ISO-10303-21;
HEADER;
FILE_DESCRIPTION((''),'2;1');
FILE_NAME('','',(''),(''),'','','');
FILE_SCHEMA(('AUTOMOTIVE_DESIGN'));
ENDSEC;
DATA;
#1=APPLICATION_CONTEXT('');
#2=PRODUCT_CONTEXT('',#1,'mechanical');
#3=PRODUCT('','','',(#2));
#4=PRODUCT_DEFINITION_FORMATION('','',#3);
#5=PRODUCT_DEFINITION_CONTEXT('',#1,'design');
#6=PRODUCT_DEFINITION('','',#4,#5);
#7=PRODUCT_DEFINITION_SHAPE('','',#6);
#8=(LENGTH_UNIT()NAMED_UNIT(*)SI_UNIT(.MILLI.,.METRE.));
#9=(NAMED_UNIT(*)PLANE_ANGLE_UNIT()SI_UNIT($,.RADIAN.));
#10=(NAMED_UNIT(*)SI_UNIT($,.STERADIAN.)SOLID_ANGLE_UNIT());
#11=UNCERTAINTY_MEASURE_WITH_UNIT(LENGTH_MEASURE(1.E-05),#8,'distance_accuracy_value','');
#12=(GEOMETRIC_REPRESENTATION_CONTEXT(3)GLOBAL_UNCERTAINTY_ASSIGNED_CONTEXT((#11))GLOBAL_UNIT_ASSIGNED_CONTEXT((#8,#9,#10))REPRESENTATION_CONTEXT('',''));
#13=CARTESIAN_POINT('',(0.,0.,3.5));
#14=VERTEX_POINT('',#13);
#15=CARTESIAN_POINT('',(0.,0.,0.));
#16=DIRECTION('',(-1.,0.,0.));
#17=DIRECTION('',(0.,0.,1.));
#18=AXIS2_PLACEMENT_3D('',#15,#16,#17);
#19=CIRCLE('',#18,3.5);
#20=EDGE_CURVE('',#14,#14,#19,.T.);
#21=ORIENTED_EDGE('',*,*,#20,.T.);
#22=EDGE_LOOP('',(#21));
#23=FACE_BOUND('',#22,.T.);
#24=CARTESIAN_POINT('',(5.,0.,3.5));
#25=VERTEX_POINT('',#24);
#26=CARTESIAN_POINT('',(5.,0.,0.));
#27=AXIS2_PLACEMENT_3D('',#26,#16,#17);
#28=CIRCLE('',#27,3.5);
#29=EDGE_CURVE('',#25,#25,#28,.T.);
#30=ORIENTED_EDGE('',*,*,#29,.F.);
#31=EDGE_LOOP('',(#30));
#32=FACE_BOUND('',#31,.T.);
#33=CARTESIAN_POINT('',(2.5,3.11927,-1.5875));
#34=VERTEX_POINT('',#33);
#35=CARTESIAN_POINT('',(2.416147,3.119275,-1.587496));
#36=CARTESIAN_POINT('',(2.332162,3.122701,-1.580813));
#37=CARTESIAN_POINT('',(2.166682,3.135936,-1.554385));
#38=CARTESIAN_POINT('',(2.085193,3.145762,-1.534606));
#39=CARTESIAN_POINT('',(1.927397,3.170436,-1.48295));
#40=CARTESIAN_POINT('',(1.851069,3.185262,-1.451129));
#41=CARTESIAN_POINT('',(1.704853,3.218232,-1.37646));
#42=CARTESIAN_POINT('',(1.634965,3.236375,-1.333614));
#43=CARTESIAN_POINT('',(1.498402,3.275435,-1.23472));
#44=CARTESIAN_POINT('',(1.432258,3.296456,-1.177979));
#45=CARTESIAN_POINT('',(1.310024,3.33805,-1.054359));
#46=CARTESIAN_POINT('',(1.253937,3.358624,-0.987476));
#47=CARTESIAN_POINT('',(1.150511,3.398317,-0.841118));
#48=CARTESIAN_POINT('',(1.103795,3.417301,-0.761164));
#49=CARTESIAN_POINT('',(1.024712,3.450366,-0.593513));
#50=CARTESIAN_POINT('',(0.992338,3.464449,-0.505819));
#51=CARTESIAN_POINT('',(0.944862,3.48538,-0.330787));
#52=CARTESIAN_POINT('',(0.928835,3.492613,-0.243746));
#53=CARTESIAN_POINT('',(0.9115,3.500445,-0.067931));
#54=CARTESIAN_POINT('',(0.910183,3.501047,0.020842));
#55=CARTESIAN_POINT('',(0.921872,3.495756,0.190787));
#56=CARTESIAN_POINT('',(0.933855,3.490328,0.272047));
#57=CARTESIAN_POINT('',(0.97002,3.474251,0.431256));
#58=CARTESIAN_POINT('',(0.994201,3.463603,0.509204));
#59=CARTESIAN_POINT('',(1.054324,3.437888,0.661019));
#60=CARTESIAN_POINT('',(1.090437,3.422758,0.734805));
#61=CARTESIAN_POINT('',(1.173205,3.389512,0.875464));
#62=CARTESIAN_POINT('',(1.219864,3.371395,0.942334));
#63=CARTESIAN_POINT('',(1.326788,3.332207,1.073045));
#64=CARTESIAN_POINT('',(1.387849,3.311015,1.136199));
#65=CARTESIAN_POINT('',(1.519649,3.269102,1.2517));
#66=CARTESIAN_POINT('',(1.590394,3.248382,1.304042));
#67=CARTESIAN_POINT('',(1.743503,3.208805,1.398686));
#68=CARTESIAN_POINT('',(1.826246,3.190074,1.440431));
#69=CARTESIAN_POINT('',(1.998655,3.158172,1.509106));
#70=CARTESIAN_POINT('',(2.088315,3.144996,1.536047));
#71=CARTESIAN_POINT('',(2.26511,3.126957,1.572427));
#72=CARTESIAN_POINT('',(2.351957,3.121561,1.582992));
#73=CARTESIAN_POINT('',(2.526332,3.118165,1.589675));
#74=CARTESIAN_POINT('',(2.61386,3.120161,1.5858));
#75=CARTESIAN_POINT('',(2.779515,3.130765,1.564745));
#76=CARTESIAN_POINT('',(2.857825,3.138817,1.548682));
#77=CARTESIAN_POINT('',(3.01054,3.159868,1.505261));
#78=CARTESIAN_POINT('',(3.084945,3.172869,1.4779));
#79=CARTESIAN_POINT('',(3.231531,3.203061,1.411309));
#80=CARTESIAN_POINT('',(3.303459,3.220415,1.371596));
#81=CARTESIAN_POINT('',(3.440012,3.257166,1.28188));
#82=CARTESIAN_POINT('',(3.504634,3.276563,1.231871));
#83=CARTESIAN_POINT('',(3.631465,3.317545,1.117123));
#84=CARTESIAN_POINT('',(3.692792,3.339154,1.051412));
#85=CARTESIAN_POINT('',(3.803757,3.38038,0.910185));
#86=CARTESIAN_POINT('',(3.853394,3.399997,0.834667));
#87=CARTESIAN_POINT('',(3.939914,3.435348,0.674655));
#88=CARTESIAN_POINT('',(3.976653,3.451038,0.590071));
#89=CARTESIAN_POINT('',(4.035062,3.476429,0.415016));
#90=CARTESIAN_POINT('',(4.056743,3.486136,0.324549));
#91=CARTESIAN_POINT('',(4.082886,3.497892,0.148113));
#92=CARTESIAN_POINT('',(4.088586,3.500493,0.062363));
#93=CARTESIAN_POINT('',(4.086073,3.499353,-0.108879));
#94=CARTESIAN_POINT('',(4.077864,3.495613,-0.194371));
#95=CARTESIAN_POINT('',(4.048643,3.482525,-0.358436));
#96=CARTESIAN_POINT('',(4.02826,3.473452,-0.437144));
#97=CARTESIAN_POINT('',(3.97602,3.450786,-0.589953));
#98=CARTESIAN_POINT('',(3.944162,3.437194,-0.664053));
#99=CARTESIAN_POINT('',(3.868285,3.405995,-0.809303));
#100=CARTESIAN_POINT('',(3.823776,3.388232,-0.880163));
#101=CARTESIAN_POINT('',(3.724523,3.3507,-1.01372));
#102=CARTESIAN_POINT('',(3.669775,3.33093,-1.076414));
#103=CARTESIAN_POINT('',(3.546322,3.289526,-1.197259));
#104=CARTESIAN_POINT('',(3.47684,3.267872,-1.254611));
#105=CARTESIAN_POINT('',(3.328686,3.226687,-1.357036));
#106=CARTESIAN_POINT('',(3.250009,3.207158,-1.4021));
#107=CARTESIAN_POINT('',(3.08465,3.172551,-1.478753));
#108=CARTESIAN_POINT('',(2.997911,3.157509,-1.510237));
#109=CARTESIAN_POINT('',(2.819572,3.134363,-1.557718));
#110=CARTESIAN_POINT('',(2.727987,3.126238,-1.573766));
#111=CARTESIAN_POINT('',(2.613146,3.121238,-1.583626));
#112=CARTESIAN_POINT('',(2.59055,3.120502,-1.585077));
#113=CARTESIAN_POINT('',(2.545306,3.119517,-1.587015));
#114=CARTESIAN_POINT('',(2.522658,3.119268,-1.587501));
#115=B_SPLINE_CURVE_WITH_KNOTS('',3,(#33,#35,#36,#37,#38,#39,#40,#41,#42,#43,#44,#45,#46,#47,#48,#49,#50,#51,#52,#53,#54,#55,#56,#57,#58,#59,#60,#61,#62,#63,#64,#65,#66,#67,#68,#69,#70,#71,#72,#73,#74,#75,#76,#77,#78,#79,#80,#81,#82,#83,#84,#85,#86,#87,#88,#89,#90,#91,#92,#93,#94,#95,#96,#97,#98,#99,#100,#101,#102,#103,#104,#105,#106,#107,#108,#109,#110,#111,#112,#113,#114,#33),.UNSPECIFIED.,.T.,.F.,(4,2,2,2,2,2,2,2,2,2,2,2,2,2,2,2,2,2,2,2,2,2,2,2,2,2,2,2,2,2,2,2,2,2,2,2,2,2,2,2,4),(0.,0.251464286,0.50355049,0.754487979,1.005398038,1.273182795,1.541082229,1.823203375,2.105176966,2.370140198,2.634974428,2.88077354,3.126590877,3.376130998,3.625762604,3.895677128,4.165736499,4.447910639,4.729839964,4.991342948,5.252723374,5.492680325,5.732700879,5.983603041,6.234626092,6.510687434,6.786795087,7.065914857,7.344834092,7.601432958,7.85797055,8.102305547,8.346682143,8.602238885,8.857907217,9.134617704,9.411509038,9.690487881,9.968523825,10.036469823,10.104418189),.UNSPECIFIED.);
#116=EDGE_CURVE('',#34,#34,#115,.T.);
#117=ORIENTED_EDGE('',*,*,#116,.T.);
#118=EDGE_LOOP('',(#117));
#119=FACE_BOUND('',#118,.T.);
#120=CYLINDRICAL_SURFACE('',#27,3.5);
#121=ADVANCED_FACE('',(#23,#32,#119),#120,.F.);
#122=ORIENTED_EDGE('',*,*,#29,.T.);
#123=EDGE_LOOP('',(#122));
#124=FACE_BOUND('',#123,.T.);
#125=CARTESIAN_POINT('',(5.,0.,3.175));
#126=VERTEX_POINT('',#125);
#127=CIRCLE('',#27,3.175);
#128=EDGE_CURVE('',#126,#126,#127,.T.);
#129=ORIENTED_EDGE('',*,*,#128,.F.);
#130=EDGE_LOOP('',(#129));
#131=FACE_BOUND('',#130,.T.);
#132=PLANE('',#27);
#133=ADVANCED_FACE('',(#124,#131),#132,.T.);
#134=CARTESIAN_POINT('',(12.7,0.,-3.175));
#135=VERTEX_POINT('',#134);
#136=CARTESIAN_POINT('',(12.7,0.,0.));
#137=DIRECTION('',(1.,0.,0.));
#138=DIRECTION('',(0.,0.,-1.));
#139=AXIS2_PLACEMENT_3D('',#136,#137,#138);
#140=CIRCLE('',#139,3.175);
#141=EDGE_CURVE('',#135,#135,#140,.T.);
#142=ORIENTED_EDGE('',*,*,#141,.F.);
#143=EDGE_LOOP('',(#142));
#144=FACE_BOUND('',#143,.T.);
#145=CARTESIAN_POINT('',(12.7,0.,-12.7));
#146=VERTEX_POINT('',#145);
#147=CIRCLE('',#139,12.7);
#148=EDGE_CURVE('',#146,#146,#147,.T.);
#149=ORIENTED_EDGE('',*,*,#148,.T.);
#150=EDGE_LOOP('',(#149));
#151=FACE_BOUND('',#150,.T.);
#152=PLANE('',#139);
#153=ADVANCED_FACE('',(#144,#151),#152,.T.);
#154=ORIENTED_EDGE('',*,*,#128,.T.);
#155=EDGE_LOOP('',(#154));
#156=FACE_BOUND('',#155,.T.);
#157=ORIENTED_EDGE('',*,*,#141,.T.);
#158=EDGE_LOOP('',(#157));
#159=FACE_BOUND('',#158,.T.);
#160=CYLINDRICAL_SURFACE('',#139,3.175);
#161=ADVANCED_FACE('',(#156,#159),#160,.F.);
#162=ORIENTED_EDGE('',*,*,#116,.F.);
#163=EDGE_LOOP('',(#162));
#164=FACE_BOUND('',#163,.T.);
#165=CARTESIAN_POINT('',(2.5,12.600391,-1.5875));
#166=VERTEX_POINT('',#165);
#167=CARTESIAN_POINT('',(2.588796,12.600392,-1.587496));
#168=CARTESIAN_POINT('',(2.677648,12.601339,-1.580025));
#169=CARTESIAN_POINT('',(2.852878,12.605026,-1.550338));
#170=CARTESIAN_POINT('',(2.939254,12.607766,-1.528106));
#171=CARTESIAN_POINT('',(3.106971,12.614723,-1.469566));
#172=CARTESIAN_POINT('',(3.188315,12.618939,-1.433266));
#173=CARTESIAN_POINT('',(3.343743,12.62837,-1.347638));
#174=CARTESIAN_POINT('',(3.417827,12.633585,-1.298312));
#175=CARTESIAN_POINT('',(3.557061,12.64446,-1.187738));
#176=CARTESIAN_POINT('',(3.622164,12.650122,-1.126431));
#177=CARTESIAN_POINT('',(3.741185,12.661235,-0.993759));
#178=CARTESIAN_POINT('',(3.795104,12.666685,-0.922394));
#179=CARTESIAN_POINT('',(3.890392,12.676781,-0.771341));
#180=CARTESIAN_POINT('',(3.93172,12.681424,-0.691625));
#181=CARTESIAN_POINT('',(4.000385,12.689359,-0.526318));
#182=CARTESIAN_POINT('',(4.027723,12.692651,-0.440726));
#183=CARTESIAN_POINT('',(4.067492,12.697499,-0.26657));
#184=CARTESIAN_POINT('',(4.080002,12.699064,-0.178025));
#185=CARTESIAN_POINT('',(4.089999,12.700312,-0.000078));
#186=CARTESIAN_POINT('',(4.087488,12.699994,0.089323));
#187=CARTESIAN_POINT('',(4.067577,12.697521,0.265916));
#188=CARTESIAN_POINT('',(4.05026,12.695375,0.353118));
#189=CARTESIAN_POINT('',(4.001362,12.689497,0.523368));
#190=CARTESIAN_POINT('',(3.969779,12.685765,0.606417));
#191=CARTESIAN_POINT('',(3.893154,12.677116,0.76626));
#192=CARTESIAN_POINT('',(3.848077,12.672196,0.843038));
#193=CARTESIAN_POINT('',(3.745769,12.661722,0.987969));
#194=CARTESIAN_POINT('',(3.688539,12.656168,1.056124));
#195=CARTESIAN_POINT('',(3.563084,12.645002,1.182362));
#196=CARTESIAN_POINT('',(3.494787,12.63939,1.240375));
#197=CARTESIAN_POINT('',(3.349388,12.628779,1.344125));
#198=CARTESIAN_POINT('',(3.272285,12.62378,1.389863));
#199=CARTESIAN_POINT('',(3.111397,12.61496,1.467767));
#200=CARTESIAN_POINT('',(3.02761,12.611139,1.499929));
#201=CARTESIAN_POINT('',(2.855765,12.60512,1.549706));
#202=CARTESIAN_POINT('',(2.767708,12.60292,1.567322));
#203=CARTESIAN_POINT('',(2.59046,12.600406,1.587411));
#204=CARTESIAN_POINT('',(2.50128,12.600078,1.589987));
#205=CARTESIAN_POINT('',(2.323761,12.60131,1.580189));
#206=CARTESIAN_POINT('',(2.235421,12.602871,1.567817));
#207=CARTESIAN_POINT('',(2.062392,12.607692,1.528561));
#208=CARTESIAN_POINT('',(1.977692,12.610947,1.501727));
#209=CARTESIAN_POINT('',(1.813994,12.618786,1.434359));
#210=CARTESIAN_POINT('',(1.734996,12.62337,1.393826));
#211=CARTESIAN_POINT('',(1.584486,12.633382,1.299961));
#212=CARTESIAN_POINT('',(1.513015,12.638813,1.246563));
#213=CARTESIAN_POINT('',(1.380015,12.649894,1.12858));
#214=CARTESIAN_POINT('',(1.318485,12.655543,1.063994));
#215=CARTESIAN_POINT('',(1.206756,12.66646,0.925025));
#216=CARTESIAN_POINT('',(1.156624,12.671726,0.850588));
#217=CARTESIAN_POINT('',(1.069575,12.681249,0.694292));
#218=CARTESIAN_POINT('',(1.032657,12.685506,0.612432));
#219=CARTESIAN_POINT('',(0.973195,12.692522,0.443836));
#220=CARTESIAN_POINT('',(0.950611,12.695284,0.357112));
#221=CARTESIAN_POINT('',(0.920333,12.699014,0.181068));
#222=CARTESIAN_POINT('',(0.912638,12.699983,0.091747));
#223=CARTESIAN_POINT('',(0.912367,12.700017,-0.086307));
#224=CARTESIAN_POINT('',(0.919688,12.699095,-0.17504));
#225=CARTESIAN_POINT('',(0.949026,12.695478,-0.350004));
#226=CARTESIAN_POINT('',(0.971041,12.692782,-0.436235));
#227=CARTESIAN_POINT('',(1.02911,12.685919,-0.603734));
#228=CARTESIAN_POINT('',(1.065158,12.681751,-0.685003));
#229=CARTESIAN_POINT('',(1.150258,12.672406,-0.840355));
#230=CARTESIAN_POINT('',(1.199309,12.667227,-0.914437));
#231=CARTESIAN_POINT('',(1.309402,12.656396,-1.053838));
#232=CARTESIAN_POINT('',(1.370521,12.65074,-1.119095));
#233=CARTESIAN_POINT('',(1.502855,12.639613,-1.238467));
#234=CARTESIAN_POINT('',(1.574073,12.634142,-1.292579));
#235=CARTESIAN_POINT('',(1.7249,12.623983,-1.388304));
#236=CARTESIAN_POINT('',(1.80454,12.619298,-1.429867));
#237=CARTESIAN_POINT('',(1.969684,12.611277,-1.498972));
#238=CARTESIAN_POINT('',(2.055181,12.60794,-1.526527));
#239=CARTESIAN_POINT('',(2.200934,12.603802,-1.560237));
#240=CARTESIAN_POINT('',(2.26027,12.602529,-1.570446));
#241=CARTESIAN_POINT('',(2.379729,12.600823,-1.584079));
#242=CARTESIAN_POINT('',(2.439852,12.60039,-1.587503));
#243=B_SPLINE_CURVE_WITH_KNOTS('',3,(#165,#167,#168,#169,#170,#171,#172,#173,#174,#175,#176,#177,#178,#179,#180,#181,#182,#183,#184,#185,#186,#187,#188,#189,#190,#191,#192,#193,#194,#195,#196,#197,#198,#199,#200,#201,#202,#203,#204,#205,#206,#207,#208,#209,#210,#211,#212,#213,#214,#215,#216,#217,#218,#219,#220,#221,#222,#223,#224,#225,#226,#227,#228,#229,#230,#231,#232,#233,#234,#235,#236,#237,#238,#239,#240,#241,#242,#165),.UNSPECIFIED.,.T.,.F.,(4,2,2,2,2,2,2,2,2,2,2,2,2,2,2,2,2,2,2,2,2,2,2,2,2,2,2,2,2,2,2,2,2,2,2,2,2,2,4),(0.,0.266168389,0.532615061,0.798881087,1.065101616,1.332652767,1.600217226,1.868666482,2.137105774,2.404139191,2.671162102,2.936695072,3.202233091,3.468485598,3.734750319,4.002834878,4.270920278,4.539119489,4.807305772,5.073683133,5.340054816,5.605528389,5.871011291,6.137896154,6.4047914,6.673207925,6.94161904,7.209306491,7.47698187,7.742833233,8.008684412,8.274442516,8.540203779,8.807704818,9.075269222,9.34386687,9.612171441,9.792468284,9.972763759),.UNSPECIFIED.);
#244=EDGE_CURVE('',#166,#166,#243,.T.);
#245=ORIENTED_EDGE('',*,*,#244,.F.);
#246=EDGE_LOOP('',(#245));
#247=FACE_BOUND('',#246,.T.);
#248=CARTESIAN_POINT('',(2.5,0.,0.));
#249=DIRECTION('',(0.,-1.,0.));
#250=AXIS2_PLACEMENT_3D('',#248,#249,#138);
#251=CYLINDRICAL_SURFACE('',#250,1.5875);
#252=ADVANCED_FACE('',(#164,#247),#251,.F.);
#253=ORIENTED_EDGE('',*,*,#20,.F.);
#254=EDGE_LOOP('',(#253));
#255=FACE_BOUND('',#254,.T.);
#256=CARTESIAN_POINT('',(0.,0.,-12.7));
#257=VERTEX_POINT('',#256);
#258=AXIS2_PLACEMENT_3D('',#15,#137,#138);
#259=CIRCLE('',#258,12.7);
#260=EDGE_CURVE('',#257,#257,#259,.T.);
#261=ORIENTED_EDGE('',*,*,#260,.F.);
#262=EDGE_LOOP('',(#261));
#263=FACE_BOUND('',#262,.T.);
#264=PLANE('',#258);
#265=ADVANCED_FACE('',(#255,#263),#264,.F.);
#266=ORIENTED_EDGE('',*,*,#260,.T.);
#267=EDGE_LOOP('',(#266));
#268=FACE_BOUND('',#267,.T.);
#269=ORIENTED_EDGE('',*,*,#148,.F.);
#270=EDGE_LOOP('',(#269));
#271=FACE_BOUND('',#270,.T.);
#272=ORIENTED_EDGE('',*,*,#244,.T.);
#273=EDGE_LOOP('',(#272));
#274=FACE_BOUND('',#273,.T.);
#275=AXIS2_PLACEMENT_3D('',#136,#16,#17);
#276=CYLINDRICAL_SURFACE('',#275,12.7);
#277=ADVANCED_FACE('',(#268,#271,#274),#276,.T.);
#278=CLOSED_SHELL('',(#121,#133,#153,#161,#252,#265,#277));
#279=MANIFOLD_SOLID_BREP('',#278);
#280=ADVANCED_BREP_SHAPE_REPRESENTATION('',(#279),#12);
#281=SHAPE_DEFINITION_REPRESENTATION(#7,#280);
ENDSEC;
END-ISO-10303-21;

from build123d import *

# Parameters (mm, degrees)
SKETCH1_R                       = 12.7
BOSS_EXTRUDE1_DEPTH             = 12.7
SKETCH2_R                       = 3.5
CUT_EXTRUDE1_DEPTH              = 5
F_1_4_0_25_DIAMETER_HOLE1_D     = 6.35
F_1_4_0_25_DIAMETER_HOLE1_DEPTH = 10.16
F_1_4_0_25_DIAMETER_HOLE1_TIP   = 1.907732465


with BuildPart() as part:
    # Sketch1 → Boss-Extrude1 (new body)
    with BuildSketch(Plane(origin=(0, 0, 0), x_dir=(0, 0, -1), z_dir=(1, 0, 0))):
        Circle(SKETCH1_R)
    extrude(amount=BOSS_EXTRUDE1_DEPTH)

    # Sketch2 → Cut-Extrude1 (cut)
    with BuildSketch(Plane.ZY):
        Circle(SKETCH2_R)
    extrude(amount=-CUT_EXTRUDE1_DEPTH, mode=Mode.SUBTRACT)

    # 1/4 (0.25) Diameter Hole1
    with Locations(Plane(origin=(12.7, 0, 0), x_dir=(0, 0, -1), z_dir=(1, 0, 0))):
        with Locations((0, 0)):
            Hole(F_1_4_0_25_DIAMETER_HOLE1_D / 2, depth=F_1_4_0_25_DIAMETER_HOLE1_DEPTH)
            with Locations((0, 0, -(F_1_4_0_25_DIAMETER_HOLE1_DEPTH + F_1_4_0_25_DIAMETER_HOLE1_TIP / 2))):  # 118° drill point
                Cone(0, F_1_4_0_25_DIAMETER_HOLE1_D / 2, F_1_4_0_25_DIAMETER_HOLE1_TIP, mode=Mode.SUBTRACT)

    # Sketch7 → 1/8 (0.125) Diameter Hole1 (revolve, cut)
    with BuildSketch(Plane(origin=(2.5, 0, 0), x_dir=(0, 0, -1), z_dir=(1, 0, 0))):
        Polygon((0, 0), (0, 16.193866233), (1.5875, 15.24), (1.5875, 0), align=None)
    revolve(axis=Axis((2.5, -6.35, 0), (0, 1, 0)), mode=Mode.SUBTRACT)


solid = part.part
